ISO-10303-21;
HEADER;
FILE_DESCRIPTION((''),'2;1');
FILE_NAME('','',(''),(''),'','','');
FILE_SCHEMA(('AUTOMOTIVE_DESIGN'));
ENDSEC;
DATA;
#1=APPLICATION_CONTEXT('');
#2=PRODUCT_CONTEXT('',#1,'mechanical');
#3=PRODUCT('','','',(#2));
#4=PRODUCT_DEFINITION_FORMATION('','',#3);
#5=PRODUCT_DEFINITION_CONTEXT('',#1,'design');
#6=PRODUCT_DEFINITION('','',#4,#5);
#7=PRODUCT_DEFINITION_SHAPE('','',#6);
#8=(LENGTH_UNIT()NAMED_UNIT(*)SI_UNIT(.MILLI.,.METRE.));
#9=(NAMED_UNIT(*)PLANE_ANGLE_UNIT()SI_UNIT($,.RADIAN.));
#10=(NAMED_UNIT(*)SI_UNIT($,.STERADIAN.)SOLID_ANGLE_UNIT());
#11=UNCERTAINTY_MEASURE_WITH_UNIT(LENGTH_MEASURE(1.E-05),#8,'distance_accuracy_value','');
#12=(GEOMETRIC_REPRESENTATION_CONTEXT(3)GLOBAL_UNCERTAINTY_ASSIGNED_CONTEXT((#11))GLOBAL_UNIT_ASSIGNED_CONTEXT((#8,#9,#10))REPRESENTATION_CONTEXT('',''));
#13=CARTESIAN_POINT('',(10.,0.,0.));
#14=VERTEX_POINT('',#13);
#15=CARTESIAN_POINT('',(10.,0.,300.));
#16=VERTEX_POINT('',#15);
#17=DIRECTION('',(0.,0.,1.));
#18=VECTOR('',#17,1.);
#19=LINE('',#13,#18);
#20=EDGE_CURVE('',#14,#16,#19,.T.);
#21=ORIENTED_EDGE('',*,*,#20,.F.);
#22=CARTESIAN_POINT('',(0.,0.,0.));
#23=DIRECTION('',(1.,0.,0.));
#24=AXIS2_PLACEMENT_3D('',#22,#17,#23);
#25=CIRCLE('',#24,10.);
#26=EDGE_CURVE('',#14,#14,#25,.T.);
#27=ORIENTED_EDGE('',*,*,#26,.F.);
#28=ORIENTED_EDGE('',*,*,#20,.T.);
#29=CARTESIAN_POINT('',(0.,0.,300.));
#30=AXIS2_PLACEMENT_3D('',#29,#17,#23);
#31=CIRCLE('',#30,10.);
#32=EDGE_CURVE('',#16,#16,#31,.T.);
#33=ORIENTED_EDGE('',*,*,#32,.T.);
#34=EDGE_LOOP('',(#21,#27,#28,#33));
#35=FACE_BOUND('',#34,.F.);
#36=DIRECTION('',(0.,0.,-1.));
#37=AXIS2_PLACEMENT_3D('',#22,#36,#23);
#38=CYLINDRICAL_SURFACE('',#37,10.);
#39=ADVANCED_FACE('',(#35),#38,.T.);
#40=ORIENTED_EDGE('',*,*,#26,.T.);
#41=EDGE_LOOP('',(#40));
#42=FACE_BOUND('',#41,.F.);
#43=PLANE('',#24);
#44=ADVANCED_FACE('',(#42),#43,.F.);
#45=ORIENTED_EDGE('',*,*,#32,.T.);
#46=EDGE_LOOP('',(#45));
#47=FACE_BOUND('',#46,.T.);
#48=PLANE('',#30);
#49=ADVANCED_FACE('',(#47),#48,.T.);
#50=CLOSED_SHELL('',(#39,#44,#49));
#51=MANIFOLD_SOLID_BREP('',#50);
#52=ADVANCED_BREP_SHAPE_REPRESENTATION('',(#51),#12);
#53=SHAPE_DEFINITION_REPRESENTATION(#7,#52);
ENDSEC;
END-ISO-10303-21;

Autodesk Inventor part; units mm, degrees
ref_plane "YZ Plane" through (0, 0, 0) normal (1, 0, 0) x (0, 1, 0)
ref_plane "XZ Plane" through (0, 0, 0) normal (0, 1, 0) x (-1, 0, 0)
ref_plane "XY Plane" through (0, 0, 0) normal (0, 0, 1) x (1, 0, 0)
sketch "Skizze1" plane through (0, 0, 0) normal (0, 0, 1) x (1, 0, 0)
  circle A0 centre (0, 0) radius 10
  dimension "d0" = 20
extrude "Extrusion1" add sketch "Skizze1" along normal blind 300
properties part number "pipe_300" material "Aluminium 6061"
